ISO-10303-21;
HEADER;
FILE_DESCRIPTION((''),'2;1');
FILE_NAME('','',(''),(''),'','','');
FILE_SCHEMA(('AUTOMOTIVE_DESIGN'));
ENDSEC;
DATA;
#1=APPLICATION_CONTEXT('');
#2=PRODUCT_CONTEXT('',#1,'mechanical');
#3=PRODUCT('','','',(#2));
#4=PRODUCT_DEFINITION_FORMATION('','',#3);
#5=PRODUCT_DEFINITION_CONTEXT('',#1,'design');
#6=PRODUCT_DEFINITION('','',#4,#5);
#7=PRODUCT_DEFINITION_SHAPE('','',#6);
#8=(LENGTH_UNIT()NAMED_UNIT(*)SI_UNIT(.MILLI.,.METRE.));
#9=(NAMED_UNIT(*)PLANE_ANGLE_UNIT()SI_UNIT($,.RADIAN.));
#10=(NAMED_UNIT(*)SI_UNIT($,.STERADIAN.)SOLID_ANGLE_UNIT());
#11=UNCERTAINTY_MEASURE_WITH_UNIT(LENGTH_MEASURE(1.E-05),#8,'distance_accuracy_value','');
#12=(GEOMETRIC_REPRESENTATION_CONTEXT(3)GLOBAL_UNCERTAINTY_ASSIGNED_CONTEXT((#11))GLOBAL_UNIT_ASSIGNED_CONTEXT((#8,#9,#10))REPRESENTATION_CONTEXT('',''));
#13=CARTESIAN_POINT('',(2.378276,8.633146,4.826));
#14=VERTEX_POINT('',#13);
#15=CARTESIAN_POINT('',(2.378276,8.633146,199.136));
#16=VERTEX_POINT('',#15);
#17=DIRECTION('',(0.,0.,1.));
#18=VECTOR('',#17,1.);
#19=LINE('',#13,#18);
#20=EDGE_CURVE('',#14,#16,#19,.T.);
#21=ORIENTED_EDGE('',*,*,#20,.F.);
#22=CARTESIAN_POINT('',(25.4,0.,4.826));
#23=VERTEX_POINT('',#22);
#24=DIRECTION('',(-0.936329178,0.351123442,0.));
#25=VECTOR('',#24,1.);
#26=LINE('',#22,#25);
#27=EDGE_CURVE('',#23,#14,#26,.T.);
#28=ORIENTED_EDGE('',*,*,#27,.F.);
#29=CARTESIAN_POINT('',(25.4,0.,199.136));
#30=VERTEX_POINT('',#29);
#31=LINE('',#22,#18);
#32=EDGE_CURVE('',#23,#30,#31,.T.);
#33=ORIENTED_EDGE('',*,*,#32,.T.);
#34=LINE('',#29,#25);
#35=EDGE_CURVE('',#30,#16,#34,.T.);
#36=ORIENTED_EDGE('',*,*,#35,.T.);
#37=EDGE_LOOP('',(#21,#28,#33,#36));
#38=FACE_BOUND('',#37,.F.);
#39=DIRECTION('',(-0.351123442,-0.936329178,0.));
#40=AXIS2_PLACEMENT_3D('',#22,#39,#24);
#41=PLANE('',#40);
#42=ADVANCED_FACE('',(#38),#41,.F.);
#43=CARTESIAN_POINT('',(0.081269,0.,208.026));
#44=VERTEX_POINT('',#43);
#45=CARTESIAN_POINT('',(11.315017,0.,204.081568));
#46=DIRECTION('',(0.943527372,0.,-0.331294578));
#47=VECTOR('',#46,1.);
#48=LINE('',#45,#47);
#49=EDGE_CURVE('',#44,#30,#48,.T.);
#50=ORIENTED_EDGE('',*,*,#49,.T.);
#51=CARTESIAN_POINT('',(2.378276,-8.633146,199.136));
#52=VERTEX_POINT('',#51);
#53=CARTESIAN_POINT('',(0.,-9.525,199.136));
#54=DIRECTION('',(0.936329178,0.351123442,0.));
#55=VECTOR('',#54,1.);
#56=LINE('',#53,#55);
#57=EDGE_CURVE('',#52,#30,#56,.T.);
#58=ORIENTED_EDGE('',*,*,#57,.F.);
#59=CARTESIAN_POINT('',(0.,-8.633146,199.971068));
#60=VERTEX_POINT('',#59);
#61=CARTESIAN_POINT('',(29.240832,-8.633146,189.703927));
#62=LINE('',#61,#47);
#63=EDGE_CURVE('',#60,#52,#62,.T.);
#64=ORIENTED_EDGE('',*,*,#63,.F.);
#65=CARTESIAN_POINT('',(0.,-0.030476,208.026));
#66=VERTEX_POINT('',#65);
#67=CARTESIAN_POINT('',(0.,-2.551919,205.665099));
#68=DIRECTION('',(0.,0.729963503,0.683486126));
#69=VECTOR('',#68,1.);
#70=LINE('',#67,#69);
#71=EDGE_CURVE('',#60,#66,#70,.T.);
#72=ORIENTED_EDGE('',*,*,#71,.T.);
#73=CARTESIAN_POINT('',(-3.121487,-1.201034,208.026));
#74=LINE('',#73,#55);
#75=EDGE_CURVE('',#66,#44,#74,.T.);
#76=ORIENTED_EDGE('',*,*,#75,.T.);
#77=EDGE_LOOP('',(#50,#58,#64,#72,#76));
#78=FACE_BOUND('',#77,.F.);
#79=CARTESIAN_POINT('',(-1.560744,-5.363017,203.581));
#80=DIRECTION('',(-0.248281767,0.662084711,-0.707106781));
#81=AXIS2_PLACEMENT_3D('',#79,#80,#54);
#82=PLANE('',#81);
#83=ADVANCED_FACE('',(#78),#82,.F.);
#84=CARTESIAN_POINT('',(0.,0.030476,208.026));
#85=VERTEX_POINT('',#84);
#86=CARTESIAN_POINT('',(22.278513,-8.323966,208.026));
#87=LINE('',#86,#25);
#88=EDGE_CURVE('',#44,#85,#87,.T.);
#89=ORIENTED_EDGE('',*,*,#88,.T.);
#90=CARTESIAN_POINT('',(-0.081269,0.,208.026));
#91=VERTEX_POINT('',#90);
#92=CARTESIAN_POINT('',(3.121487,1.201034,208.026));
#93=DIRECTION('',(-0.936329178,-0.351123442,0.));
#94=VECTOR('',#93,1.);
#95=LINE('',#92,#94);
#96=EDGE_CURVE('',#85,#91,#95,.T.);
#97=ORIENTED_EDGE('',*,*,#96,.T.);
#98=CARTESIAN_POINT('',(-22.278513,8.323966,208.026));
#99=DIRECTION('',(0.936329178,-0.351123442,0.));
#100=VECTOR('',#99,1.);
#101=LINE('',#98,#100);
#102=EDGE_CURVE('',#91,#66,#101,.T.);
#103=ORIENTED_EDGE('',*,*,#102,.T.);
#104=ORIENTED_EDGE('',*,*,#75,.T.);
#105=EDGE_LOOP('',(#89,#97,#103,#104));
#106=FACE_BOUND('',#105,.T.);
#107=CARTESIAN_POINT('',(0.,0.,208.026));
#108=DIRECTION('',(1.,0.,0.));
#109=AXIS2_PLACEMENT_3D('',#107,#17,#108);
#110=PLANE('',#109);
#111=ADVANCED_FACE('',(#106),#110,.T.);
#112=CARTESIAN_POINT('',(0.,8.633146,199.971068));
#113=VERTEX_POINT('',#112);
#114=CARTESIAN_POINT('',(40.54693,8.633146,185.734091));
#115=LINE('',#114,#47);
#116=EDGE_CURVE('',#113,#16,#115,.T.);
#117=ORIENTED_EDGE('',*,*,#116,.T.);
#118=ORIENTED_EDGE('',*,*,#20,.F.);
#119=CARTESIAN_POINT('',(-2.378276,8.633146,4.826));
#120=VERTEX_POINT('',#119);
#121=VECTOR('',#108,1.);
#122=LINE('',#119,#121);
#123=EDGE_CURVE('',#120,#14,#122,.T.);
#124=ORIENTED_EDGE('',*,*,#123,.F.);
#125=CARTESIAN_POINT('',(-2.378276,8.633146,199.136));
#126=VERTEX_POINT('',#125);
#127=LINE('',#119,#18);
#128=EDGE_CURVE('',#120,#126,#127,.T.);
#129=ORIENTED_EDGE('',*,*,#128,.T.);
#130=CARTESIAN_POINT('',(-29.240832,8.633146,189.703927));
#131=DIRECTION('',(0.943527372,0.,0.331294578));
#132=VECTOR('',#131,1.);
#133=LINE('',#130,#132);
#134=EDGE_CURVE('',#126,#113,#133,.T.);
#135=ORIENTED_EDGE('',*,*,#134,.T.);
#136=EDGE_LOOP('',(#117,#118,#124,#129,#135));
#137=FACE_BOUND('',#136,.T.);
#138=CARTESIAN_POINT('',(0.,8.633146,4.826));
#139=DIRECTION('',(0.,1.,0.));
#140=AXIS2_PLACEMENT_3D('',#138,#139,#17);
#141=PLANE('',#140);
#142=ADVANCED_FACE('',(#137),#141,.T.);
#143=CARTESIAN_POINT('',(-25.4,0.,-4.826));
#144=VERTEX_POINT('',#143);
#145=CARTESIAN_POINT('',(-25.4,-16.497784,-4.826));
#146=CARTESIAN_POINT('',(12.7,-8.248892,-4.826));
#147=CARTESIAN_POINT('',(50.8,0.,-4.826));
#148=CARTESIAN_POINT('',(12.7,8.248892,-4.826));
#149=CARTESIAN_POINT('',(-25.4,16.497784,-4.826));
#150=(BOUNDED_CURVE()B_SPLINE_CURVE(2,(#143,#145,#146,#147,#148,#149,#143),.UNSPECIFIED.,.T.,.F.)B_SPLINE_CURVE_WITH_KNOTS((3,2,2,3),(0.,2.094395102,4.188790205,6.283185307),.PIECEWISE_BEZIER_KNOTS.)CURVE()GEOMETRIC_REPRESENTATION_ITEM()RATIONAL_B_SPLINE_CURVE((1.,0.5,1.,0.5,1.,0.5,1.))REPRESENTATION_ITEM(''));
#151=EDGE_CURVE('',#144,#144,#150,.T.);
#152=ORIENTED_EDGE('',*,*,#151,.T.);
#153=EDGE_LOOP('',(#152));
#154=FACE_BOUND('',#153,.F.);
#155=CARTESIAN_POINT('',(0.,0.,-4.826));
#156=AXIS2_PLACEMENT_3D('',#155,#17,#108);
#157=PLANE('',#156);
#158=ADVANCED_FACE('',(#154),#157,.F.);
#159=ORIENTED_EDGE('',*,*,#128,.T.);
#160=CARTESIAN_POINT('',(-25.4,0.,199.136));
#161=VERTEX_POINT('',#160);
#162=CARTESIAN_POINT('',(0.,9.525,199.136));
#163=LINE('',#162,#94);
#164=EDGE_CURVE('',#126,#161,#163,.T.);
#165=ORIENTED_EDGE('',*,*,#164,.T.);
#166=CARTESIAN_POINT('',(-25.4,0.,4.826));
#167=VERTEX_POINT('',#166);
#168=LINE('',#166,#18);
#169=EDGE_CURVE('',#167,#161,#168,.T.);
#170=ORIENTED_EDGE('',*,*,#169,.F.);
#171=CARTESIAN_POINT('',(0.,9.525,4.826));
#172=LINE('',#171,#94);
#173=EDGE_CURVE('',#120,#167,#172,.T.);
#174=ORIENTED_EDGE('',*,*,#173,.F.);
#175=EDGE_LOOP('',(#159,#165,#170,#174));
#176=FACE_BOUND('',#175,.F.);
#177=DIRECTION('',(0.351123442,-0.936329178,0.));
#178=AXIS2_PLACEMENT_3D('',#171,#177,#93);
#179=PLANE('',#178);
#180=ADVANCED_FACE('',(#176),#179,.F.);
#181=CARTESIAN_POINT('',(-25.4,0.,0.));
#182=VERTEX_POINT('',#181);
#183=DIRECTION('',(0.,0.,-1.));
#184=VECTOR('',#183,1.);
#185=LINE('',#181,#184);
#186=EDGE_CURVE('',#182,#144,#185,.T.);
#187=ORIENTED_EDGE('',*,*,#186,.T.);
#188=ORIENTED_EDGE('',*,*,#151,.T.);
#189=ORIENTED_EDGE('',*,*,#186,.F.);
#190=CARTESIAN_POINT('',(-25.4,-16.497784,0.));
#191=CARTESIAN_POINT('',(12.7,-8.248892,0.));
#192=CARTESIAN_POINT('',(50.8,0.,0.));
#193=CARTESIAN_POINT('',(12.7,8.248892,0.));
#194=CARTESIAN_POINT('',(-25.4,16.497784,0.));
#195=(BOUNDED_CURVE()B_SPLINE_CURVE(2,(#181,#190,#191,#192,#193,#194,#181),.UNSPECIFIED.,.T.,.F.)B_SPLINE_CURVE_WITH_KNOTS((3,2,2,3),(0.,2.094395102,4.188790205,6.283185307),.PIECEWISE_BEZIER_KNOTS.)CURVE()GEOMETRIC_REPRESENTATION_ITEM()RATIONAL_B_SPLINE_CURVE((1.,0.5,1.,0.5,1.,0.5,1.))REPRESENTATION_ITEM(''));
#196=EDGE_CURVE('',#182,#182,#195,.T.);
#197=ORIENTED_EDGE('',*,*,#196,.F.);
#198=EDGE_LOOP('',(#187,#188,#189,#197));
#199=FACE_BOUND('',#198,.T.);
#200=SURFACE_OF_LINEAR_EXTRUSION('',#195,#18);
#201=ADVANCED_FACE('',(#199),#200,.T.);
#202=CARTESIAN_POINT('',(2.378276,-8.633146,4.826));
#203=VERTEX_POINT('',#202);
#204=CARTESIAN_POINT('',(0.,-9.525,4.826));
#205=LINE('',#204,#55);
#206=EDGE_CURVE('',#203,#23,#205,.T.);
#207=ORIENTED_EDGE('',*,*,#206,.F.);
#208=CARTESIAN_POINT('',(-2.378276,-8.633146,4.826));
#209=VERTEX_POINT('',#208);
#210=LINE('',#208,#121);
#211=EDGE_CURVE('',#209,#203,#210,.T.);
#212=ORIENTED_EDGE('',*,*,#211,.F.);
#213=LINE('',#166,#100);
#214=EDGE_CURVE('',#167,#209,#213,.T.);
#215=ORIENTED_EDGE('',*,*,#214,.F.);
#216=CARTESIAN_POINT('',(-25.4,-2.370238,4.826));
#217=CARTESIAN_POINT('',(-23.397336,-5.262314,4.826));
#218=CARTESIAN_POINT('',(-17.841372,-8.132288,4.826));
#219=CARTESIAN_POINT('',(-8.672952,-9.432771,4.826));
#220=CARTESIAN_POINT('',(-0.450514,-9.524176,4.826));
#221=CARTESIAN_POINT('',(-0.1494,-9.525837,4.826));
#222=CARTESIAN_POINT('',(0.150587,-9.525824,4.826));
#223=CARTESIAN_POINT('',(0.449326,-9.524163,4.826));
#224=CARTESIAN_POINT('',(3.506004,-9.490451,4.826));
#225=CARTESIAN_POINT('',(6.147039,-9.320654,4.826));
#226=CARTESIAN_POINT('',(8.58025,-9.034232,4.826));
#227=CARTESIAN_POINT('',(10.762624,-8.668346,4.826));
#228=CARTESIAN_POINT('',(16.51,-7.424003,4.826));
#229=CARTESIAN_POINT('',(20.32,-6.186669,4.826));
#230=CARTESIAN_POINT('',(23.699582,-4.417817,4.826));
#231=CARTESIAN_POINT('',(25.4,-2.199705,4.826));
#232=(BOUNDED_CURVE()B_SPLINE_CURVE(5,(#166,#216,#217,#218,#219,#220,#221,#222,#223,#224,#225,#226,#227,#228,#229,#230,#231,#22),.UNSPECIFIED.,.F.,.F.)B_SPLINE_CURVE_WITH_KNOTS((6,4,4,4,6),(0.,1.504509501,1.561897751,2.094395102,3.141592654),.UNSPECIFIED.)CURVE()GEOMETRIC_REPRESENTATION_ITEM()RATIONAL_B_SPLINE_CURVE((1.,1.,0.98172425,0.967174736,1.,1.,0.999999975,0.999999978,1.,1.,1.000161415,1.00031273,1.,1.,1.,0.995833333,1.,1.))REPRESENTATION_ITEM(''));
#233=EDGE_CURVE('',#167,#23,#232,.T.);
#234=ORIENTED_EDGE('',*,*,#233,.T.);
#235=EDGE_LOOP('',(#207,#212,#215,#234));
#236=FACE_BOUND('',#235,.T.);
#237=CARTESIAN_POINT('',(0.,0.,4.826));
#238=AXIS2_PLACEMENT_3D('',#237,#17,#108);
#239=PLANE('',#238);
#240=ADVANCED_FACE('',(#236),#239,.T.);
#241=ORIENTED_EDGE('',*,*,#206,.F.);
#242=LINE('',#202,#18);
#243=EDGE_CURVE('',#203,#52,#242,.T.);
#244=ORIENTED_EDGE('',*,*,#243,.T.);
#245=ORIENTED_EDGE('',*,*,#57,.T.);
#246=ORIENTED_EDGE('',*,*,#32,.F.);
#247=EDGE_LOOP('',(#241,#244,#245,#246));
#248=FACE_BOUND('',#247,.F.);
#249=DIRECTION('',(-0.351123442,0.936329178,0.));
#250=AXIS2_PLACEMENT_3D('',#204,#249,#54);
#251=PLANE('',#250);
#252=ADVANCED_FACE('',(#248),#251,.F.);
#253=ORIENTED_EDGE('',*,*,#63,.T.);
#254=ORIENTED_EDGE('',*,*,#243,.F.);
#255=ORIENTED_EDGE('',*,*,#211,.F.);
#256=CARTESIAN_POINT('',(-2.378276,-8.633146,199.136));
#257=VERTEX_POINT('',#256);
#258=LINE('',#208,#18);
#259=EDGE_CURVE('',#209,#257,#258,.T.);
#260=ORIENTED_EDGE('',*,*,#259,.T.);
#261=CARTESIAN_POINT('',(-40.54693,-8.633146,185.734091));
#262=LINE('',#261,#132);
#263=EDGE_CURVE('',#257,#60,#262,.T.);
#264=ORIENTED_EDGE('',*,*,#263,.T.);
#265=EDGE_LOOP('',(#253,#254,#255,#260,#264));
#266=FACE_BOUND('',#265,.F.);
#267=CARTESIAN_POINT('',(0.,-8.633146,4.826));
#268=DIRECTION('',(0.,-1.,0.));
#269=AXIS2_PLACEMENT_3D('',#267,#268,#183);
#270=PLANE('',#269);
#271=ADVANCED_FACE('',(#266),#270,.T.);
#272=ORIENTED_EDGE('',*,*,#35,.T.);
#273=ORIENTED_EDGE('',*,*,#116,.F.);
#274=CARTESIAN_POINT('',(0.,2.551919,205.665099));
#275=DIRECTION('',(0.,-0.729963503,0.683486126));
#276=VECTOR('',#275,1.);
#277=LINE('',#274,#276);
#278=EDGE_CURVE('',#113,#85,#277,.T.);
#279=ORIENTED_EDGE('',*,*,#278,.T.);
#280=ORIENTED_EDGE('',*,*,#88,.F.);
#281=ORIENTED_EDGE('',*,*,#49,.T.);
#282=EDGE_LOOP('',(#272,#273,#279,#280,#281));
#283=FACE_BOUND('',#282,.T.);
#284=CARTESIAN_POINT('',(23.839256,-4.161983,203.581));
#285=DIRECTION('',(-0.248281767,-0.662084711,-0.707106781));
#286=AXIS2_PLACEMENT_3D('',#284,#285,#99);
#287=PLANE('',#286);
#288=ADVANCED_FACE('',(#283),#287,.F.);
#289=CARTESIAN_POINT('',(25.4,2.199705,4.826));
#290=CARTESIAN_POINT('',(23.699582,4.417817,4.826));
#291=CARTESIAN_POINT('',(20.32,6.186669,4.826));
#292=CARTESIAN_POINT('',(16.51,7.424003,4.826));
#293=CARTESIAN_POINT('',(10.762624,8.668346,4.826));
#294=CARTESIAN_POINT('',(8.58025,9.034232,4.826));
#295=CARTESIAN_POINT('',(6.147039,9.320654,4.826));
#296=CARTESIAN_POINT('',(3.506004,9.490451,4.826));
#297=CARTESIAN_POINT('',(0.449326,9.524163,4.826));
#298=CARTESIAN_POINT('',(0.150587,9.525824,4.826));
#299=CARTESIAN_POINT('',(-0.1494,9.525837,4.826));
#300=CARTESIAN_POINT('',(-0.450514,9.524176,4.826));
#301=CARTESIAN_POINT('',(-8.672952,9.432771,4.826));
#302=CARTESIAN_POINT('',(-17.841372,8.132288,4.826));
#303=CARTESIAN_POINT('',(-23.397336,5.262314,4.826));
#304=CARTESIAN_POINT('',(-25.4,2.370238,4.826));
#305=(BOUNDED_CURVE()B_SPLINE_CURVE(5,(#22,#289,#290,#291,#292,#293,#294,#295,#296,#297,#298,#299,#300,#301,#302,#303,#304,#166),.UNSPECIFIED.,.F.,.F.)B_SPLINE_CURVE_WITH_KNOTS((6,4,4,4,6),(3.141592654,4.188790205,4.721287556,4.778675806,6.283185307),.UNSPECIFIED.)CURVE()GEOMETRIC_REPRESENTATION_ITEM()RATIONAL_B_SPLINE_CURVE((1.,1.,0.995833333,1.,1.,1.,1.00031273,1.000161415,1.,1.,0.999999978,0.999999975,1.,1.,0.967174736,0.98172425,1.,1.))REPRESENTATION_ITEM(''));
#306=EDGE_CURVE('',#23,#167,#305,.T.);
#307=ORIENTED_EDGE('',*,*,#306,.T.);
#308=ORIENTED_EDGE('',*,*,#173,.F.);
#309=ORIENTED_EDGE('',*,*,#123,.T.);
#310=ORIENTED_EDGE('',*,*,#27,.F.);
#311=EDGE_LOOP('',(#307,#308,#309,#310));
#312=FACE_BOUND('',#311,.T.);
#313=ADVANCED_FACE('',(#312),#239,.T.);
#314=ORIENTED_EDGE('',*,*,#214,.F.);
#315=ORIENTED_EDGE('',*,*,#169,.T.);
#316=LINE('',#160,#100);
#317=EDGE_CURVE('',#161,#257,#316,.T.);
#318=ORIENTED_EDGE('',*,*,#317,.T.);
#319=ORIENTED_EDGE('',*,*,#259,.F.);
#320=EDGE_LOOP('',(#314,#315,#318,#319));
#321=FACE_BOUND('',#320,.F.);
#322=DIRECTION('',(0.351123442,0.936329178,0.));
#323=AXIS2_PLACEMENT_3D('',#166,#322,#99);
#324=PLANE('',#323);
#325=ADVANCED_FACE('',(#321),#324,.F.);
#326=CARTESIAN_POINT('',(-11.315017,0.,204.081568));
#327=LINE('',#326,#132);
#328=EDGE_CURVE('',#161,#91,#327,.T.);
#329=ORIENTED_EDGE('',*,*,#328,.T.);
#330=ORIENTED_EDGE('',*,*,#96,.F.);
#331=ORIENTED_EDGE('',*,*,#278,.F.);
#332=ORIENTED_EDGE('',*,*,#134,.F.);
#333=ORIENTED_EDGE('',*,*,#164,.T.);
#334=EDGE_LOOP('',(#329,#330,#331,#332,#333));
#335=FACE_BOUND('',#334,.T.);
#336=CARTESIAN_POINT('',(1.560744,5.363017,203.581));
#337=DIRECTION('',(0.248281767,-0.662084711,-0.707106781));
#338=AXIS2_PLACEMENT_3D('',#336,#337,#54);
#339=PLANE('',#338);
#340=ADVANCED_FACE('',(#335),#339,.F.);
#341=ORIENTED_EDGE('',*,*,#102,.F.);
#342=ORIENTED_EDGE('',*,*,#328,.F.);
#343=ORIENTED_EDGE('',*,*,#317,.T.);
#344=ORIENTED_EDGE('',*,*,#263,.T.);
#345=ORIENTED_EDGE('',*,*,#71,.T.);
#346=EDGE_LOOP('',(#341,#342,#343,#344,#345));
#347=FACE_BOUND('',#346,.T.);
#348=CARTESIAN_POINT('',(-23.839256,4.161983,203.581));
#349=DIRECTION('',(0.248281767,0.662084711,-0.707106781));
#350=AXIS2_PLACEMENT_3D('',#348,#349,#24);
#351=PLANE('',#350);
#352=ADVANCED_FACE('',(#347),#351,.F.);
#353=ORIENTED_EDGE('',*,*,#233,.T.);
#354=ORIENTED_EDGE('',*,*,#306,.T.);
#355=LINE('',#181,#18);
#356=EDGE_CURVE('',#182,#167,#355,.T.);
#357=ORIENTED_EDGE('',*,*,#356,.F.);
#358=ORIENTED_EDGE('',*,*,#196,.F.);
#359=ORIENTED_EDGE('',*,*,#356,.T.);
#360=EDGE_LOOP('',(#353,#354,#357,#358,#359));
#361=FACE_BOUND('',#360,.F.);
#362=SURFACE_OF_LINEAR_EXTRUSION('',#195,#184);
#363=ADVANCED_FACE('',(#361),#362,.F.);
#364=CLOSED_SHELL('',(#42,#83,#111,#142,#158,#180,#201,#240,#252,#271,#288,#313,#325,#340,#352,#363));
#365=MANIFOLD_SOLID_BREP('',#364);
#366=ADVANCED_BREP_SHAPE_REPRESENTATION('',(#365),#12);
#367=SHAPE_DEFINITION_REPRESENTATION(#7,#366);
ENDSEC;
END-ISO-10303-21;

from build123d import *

# Parameters (mm, degrees)
F1_DEPTH = 4.826
F3_DEPTH = 203.2
F4_SIZE  = 8.89
F5_SIZE  = 2.54


with BuildPart() as f1:
    # F0 (on Top) → F1 (new body, symmetric)
    with BuildSketch(Plane.XY):
        with BuildLine():
            add(Edge.make_bspline(
                [(-25.4, 0), (-25.4, -16.4977839421), (12.7, -8.248891971), (50.8, 0), (12.7, 8.248891971), (-25.4, 16.4977839421), (-25.4, 0)],
                knots=[0, 0, 0, 2.0943951024, 2.0943951024, 4.1887902048, 4.1887902048, 6.2831853072, 6.2831853072, 6.2831853072], degree=2, weights=[1, 0.5, 1, 0.5, 1, 0.5, 1]))
        make_face()
    extrude(amount=F1_DEPTH, both=True)

    # F2 (on face) → F3 (join)
    with BuildSketch(Plane.XY.offset(4.826)):
        Polygon((0, 9.525), (-25.4, 0), (0, -9.525), (25.4, 0), align=None)
    extrude(amount=F3_DEPTH)

    # F4
    f4_edges = [f1.edges().sort_by_distance(p)[0] for p in [
        (-12.7, 4.7625, 208.026),
        (-12.7, -4.7625, 208.026),
        (12.7, -4.7625, 208.026),
        (12.7, 4.7625, 208.026),
    ]]
    chamfer(f4_edges, length=F4_SIZE)

    # F5
    f5_edges = [f1.edges().sort_by_distance(p)[0] for p in [
        (0, -9.525, 101.981),
        (0, 9.525, 101.981),
    ]]
    chamfer(f5_edges, length=F5_SIZE)


solid = f1.part
